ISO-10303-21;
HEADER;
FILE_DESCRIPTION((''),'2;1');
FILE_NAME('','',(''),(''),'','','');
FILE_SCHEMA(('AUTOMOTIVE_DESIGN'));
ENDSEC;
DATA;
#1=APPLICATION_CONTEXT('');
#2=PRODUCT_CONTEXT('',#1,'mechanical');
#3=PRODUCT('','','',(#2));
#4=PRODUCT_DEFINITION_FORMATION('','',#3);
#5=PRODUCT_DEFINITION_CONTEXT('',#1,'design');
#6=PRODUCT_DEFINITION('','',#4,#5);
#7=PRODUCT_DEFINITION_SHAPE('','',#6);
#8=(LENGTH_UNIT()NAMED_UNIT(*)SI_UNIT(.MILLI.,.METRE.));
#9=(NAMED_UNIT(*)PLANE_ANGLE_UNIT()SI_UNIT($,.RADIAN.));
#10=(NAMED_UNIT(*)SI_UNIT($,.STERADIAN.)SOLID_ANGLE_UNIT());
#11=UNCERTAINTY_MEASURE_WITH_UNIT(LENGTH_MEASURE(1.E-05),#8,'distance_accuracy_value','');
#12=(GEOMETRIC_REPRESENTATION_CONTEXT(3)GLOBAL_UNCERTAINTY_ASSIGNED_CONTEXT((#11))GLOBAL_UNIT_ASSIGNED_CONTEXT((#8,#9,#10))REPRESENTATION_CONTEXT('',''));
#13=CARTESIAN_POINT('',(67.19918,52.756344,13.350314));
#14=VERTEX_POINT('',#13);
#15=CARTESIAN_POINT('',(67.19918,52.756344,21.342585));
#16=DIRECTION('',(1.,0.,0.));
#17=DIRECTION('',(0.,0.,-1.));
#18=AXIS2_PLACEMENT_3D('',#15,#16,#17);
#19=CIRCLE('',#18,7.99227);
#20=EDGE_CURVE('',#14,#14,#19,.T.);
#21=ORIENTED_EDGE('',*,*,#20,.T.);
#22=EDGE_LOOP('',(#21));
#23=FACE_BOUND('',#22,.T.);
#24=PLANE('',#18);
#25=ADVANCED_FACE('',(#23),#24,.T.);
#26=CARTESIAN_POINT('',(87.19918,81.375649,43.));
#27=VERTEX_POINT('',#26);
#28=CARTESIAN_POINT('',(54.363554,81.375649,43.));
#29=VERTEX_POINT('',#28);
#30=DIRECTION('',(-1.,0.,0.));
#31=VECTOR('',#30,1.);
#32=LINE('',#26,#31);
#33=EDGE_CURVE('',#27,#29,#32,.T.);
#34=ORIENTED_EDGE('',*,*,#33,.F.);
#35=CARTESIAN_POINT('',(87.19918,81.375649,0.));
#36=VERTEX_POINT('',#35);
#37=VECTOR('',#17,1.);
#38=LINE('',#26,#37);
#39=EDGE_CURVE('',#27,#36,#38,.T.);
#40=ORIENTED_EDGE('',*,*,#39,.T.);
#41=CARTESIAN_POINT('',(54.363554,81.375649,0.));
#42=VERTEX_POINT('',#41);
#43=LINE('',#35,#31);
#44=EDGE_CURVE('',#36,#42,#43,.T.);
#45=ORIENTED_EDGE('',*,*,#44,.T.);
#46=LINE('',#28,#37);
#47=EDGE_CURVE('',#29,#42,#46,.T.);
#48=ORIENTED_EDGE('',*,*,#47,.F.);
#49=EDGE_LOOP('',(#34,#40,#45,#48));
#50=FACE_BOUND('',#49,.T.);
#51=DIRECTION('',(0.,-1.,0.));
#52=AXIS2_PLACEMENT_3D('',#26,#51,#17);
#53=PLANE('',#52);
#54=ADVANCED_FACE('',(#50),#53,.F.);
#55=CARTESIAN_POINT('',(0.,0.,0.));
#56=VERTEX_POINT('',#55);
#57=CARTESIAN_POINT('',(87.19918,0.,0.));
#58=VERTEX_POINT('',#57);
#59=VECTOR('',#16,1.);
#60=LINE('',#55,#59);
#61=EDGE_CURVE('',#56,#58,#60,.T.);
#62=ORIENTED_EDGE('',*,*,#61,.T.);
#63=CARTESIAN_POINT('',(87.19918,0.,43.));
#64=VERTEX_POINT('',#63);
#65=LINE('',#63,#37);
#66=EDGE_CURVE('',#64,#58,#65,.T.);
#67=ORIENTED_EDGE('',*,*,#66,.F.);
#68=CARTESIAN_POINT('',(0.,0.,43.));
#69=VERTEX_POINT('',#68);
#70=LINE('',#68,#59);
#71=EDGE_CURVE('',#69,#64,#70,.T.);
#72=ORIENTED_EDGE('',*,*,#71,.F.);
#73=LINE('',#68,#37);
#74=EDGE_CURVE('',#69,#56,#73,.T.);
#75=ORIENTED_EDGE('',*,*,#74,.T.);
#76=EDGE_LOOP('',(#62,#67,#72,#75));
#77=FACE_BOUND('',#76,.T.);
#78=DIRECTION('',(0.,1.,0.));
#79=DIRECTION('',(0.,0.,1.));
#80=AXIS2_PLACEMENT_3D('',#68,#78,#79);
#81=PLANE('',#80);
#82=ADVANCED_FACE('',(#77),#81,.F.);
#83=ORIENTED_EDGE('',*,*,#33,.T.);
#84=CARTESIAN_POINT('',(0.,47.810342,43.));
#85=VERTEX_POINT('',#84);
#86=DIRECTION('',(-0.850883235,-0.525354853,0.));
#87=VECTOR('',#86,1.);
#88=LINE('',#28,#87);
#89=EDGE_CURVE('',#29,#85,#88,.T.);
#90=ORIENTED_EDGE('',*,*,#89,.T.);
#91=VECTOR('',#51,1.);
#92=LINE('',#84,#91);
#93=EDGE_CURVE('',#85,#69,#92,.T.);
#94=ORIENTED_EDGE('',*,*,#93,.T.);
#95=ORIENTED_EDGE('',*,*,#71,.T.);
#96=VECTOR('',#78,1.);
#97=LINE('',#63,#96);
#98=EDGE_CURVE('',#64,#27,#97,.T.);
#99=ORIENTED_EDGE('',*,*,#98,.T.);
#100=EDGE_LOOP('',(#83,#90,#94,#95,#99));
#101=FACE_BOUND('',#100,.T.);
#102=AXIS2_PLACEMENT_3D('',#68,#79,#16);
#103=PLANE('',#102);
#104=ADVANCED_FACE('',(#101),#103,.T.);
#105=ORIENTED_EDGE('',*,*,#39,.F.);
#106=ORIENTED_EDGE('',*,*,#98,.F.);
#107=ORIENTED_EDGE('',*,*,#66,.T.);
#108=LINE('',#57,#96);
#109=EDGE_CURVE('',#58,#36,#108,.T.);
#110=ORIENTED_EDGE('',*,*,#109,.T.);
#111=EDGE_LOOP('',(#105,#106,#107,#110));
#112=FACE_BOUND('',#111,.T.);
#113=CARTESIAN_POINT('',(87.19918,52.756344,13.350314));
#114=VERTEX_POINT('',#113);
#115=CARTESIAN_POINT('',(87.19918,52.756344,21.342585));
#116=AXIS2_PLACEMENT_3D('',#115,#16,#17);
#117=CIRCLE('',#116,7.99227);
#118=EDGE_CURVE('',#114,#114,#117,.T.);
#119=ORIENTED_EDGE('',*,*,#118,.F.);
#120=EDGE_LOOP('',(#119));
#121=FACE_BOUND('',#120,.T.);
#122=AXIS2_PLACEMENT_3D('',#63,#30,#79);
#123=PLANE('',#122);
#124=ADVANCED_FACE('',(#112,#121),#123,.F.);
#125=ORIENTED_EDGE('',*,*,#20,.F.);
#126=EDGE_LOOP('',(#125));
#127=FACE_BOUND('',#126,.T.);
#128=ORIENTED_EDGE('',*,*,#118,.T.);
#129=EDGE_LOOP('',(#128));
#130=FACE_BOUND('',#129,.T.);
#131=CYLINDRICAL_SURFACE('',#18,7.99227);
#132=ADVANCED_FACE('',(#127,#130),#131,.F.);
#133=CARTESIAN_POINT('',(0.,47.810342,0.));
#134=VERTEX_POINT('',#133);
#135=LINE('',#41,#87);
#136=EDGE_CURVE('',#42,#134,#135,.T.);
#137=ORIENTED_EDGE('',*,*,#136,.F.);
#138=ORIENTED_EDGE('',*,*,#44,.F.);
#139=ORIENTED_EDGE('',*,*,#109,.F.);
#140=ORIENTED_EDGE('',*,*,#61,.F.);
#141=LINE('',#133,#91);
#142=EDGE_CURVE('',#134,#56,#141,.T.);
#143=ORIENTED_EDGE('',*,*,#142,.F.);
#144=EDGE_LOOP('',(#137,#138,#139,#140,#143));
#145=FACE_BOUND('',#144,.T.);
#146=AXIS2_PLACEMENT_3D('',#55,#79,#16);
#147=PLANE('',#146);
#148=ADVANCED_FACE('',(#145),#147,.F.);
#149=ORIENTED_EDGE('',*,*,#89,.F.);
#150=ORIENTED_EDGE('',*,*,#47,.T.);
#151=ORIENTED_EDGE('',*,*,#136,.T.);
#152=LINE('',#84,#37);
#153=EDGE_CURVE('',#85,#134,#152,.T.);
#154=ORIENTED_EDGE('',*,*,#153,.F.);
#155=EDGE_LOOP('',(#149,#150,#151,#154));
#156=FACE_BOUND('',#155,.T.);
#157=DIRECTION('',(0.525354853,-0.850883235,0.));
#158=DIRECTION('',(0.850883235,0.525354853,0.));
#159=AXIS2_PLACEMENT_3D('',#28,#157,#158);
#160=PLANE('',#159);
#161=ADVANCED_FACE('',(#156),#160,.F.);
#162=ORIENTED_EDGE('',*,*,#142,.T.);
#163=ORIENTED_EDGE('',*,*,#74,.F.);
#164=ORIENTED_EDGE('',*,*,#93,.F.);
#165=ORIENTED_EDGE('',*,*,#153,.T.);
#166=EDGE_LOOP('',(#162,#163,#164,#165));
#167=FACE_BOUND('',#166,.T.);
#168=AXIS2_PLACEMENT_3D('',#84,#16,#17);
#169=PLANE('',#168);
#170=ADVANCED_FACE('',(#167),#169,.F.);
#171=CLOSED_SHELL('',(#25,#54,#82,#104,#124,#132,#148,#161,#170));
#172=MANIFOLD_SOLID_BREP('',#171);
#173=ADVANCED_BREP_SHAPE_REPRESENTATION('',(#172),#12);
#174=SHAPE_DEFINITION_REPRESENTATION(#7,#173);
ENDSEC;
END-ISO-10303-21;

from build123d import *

# Parameters (mm, degrees)
BOSS_EXTRUDE1_DEPTH = 43
SKETCH3_R           = 7.992270034
CUT_EXTRUDE1_DEPTH  = 20


with BuildPart() as part:
    # Sketch2 → Boss-Extrude1 (new body)
    with BuildSketch(Plane.XY):
        Polygon((0, 0), (87.19917995, 0), (87.19917995, 81.375648563), (54.363553776, 81.375648563), (0, 47.810341807), align=None)
    extrude(amount=BOSS_EXTRUDE1_DEPTH)

    # Sketch3 → Cut-Extrude1 (cut)
    with BuildSketch(Plane(origin=(87.19917995, 0, 0), x_dir=(0, 0, -1), z_dir=(1, 0, 0))):
        with Locations((-21.34258453, 52.75634367)):
            Circle(SKETCH3_R)
    extrude(amount=-CUT_EXTRUDE1_DEPTH, mode=Mode.SUBTRACT)


solid = part.part
